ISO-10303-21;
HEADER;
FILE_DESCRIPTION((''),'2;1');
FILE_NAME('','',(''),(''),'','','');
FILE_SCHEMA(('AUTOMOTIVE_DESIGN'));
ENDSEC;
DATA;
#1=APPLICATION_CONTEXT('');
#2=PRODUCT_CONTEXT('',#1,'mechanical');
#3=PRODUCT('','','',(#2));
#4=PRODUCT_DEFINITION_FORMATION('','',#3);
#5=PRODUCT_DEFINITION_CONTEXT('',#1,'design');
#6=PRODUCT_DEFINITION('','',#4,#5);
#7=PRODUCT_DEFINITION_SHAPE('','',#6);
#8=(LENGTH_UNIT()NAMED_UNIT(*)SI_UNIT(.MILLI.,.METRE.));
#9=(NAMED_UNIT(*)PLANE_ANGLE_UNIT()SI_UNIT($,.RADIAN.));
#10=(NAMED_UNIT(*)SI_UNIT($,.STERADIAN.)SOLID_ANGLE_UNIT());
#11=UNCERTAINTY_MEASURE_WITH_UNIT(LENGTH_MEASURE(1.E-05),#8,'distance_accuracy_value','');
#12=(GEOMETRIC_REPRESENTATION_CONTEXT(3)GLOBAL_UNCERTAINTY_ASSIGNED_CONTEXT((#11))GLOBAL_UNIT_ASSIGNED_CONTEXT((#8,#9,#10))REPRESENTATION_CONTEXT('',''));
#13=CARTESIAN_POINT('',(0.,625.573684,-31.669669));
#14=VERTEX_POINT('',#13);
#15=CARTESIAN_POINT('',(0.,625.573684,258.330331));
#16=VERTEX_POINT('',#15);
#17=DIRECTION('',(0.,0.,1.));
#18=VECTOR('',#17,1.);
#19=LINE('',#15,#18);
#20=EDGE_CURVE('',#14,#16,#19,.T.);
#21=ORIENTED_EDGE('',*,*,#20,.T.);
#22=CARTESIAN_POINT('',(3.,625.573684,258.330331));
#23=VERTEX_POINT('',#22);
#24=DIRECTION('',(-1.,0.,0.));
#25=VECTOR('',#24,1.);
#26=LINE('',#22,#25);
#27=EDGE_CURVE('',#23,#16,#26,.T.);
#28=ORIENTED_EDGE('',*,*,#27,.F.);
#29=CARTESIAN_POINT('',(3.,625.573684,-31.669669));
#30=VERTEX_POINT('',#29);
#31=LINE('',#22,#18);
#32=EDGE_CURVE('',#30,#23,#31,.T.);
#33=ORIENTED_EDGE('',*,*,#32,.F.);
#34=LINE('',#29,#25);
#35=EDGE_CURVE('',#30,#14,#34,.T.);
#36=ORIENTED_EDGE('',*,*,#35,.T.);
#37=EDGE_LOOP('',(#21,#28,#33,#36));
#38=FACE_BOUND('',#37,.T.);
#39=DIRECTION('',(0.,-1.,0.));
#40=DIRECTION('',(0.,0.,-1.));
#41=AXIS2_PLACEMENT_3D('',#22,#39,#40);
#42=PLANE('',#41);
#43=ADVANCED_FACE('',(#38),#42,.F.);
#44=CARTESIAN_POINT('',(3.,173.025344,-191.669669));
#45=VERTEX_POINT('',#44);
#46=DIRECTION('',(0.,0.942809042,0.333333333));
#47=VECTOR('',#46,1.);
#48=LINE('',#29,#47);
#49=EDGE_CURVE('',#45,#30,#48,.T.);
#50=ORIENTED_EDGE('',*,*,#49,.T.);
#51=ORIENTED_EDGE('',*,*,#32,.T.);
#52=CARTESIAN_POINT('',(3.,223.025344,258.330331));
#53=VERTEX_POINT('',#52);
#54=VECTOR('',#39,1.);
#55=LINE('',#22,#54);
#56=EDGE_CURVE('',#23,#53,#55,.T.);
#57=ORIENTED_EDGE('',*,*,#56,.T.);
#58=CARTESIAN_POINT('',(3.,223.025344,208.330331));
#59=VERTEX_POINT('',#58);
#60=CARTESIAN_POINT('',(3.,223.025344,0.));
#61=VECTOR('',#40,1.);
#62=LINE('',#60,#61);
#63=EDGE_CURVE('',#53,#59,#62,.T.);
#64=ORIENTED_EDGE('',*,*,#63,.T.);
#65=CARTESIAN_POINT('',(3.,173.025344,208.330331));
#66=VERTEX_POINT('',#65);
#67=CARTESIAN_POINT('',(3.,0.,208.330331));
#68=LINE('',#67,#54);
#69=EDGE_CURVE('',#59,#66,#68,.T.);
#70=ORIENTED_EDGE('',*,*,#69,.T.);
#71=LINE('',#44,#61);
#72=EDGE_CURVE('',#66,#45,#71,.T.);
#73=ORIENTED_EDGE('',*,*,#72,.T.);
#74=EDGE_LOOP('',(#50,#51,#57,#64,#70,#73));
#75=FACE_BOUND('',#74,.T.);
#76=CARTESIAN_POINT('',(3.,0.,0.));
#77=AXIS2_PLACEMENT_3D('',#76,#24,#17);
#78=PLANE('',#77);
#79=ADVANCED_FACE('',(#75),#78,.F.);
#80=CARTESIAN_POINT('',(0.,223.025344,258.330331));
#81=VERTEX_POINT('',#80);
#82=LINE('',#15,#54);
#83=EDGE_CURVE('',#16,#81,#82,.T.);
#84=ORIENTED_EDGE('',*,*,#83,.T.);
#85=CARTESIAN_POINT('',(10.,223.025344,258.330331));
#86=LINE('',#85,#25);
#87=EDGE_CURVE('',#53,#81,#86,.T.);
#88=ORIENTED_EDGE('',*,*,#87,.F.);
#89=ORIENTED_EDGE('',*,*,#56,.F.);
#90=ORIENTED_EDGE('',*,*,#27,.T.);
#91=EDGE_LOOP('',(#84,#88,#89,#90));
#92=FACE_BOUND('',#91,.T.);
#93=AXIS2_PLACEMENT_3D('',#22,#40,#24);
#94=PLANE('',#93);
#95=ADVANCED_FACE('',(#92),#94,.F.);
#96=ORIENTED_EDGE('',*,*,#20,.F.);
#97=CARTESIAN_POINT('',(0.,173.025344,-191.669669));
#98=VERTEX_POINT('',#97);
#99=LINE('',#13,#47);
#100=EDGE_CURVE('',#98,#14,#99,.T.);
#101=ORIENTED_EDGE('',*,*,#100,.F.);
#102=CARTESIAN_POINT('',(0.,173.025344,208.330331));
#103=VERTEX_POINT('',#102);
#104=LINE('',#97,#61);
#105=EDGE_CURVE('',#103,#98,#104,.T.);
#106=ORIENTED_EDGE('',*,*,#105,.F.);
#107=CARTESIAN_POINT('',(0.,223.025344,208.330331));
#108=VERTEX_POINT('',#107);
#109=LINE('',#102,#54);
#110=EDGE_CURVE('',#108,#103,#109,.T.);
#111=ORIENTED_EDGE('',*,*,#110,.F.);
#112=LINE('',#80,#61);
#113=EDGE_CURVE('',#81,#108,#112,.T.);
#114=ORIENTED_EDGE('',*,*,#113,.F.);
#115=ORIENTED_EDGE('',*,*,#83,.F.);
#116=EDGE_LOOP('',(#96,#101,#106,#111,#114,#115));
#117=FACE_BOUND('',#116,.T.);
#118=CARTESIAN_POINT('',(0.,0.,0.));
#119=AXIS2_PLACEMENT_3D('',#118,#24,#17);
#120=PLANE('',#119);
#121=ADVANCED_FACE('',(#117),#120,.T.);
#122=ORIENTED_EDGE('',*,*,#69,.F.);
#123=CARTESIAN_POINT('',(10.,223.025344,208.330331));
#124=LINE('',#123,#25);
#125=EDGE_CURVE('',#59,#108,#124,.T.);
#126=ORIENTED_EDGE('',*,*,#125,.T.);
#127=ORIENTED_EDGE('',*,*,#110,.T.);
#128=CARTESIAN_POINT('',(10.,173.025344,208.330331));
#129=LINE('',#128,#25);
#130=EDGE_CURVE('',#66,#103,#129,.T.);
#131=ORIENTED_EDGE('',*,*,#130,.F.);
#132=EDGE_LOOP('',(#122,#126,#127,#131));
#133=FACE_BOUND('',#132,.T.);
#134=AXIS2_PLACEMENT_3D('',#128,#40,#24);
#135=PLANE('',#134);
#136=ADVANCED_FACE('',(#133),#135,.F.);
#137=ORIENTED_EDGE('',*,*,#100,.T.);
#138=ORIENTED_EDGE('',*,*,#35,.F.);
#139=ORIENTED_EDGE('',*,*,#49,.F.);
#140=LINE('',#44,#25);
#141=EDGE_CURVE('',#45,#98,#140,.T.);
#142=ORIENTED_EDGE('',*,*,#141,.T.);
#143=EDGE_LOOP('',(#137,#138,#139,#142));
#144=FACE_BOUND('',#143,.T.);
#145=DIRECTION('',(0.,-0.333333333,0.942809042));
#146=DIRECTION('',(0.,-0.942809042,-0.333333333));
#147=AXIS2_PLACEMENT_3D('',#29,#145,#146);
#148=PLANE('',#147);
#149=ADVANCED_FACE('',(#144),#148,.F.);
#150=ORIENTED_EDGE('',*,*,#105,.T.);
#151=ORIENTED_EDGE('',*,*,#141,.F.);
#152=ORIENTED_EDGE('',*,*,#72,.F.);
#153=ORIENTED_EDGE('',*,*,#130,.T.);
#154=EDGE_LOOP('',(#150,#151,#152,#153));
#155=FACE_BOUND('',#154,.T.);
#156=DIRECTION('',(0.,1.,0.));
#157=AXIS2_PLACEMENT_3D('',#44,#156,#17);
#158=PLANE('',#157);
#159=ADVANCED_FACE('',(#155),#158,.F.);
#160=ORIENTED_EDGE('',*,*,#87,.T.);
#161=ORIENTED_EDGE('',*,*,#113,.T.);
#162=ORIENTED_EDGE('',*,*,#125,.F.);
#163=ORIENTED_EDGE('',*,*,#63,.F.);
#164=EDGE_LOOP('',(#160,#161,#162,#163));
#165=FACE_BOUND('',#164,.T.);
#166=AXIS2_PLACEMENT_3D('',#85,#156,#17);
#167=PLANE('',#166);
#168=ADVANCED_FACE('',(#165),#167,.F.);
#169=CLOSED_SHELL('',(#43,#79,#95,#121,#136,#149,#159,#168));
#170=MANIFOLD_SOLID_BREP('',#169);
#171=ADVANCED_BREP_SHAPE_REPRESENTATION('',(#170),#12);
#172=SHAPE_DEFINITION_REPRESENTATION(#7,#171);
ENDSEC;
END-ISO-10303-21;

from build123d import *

# Parameters (mm, degrees)
BOSS_EXTRUDE1_DEPTH = 3
SKETCH2_W           = 50
SKETCH2_H           = 50
CUT_EXTRUDE1_DEPTH  = 10


with BuildPart() as part:
    # Sketch1 → Boss-Extrude1 (new body)
    with BuildSketch(Plane(origin=(0, 0, 0), x_dir=(0, 0, -1), z_dir=(1, 0, 0))):
        Polygon((31.669668796, 625.573683549), (191.669668796, 173.025343589), (-258.330331204, 173.025343589), (-258.330331204, 625.573683549), align=None)
    extrude(amount=BOSS_EXTRUDE1_DEPTH)

    # Sketch2 → Cut-Extrude1 (cut)
    with BuildSketch(Plane.ZY):
        with Locations((233.330331204, 198.025343589)):
            Rectangle(SKETCH2_W, SKETCH2_H)
    extrude(amount=-CUT_EXTRUDE1_DEPTH, mode=Mode.SUBTRACT)


solid = part.part
